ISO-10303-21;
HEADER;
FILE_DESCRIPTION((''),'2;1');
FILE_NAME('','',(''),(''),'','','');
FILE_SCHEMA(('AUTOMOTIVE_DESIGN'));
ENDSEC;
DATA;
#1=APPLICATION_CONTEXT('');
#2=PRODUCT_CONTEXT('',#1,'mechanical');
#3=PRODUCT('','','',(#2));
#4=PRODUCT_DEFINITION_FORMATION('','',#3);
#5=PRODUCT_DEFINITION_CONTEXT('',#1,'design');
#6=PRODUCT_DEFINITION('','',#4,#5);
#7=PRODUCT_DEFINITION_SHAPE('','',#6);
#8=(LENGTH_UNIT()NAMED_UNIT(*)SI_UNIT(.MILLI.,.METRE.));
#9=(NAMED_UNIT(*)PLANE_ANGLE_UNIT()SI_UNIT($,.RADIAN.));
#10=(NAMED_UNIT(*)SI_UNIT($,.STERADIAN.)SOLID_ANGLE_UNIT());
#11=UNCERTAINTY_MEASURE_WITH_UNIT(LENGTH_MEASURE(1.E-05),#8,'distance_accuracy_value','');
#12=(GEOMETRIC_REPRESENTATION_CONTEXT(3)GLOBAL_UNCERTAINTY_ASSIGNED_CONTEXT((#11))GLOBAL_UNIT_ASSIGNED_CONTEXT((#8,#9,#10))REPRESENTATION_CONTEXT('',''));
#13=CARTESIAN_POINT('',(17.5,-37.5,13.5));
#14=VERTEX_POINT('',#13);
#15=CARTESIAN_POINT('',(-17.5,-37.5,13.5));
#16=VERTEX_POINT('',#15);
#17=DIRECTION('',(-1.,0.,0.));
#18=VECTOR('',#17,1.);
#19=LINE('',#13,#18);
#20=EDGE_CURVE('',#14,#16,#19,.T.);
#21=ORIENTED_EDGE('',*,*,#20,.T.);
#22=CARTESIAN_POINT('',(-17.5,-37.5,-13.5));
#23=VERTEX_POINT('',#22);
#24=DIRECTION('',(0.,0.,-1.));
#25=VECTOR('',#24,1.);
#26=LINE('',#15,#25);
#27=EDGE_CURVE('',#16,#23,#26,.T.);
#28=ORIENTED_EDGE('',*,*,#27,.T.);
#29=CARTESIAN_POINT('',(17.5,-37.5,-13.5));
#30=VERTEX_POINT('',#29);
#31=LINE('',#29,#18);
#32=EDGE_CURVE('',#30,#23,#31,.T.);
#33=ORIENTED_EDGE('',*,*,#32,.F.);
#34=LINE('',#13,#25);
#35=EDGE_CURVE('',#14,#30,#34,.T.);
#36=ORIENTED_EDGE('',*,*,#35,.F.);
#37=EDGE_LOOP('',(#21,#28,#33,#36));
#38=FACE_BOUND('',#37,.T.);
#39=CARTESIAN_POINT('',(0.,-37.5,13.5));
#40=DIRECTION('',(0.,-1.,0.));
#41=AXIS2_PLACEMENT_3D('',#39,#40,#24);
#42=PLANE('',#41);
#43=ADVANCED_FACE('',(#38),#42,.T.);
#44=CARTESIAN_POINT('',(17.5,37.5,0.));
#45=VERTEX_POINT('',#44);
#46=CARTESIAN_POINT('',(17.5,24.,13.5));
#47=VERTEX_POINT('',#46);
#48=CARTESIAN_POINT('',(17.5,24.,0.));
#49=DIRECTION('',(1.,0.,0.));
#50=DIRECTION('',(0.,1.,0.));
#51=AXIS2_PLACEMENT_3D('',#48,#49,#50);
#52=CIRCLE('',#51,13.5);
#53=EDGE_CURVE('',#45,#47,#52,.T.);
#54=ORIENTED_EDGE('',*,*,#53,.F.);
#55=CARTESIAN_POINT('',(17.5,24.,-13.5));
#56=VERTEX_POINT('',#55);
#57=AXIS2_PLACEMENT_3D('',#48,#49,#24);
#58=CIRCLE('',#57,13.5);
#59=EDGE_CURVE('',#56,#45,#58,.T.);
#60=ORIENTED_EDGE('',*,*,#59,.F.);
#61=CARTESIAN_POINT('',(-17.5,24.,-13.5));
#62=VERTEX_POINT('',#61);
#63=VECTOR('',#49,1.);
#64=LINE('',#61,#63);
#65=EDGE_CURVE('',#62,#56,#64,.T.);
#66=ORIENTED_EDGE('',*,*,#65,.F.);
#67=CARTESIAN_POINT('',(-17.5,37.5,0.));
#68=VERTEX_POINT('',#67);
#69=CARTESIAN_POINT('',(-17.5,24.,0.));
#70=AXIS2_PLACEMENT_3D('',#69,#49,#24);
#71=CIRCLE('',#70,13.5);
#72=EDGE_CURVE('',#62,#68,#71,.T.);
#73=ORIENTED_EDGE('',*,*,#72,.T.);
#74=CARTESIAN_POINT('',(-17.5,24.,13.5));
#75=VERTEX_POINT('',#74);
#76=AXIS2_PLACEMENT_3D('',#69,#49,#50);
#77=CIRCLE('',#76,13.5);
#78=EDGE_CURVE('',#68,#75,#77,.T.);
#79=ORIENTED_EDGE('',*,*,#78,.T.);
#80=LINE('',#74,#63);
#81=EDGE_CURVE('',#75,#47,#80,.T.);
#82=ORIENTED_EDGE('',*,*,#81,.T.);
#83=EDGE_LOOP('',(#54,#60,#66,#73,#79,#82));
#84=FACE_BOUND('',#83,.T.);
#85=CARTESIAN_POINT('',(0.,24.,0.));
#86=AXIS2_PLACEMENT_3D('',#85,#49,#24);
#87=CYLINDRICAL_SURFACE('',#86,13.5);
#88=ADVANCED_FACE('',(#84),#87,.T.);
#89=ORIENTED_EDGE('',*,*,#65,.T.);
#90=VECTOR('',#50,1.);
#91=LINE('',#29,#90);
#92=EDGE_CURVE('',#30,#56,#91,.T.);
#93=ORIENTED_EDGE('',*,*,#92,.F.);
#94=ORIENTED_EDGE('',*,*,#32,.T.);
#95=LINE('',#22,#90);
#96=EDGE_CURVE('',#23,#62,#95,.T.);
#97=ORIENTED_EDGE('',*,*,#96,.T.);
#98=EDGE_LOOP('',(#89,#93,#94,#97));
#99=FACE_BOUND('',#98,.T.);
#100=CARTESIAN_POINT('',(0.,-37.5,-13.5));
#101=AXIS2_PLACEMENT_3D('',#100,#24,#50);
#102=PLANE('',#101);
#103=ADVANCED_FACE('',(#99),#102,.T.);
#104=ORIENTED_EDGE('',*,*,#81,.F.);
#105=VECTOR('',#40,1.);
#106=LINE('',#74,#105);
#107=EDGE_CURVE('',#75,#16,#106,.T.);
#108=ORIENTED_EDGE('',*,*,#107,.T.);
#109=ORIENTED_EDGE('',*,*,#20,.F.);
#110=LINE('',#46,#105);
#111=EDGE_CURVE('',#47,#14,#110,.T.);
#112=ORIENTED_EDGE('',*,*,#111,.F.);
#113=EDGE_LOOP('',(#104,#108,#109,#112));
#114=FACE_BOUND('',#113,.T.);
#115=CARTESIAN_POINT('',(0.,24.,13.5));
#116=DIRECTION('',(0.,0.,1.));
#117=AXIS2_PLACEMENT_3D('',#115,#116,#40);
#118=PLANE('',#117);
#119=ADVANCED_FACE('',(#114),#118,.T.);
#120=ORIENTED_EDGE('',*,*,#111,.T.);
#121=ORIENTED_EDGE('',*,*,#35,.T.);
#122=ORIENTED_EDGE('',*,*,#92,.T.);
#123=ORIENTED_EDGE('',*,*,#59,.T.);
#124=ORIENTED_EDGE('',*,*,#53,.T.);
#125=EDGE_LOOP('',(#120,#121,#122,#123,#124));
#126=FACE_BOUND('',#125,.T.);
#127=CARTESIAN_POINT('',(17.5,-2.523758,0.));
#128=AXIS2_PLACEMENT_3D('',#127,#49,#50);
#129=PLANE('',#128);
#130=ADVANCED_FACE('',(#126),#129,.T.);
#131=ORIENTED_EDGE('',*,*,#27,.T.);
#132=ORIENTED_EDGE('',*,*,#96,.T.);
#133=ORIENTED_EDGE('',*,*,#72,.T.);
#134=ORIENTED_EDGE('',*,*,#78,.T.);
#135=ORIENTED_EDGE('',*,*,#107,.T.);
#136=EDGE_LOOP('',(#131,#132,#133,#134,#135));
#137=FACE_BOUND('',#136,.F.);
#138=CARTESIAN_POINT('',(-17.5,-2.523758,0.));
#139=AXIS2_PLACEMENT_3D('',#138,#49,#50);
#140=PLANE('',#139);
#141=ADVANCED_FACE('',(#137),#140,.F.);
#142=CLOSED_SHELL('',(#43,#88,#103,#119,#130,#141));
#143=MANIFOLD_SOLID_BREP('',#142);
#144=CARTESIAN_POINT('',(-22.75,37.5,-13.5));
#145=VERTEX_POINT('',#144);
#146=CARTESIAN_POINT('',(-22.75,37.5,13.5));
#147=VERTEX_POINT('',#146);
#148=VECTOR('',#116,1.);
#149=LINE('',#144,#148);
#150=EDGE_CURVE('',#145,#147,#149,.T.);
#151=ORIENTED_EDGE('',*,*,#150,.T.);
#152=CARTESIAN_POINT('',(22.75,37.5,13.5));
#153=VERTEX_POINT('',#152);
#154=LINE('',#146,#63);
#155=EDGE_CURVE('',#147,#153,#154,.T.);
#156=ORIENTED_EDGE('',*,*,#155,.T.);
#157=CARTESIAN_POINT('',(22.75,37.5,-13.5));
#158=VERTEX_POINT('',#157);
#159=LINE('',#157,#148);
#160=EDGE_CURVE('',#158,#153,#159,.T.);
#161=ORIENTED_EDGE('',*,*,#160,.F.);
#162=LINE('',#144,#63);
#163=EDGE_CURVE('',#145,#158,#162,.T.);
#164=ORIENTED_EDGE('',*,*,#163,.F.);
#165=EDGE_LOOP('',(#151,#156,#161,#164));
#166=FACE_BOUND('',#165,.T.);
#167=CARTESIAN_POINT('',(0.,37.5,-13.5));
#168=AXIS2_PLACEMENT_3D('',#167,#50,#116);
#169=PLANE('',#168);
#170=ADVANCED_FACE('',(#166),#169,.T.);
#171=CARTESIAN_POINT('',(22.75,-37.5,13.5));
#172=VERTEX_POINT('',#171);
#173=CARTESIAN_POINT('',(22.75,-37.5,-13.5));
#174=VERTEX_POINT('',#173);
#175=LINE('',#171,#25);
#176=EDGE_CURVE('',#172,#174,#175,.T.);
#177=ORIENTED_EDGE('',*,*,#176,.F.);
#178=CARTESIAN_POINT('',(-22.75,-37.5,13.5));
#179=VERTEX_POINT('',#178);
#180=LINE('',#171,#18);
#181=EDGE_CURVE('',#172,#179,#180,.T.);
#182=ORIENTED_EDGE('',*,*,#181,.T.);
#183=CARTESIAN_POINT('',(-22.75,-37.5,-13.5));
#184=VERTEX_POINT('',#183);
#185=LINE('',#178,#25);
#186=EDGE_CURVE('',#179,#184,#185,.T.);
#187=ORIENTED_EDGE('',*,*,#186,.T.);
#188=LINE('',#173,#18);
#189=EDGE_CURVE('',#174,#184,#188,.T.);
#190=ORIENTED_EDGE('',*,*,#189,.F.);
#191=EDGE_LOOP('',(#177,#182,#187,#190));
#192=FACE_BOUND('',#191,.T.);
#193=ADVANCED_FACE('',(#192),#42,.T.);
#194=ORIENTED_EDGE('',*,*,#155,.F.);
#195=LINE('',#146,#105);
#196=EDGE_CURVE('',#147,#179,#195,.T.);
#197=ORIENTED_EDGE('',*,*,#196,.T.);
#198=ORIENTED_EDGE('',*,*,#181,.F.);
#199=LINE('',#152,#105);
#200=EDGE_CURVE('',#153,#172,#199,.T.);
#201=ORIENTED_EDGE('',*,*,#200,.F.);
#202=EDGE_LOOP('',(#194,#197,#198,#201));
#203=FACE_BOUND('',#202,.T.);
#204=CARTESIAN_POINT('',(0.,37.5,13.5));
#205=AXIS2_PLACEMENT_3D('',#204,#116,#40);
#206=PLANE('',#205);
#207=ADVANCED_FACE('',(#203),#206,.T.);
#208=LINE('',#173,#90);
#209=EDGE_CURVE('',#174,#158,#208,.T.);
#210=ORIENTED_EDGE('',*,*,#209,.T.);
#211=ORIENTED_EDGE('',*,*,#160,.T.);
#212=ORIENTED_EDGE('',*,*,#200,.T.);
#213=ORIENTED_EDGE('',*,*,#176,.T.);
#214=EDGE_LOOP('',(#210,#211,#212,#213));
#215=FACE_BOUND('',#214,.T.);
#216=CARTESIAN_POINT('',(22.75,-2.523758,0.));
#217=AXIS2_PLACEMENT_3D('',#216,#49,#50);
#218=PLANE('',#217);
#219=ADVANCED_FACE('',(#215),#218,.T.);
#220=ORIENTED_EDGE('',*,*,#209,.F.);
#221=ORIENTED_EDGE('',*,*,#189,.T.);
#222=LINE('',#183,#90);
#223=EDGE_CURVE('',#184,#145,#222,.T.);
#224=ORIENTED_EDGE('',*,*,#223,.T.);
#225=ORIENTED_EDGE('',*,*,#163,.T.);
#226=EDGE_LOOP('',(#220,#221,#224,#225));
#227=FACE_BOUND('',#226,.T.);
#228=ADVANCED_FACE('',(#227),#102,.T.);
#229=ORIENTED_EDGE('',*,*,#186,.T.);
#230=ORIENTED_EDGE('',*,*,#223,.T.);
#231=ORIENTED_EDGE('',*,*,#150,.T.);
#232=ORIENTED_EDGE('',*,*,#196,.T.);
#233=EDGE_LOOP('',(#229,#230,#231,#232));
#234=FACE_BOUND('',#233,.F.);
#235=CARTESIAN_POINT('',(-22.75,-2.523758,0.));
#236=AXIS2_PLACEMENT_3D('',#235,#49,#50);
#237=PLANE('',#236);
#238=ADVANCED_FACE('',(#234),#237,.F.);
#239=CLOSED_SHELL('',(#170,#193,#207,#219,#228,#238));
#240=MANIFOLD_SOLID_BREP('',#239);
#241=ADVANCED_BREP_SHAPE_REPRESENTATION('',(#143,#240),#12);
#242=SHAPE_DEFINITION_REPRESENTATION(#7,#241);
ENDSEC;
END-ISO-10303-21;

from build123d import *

# Parameters (mm, degrees)
F2_DEPTH = 22.75
F3_DEPTH = 17.5


with BuildPart() as f2:
    # F1 (on Right) → F2 (new body, symmetric)
    with BuildSketch(Plane.YZ):
        with BuildLine():
            Line((-37.5, -13.5), (24, -13.5))
            ThreePointArc((24, -13.5), (33.545941546, -9.545941546), (37.5, 0))
            ThreePointArc((37.5, 0), (33.545941546, 9.545941546), (24, 13.5))
            Line((24, 13.5), (-37.5, 13.5))
            Line((-37.5, 13.5), (-37.5, -13.5))
        make_face()
        with BuildLine():
            Line((24, -13.5), (37.5, -13.5))
            Line((37.5, -13.5), (37.5, 0))
            ThreePointArc((37.5, 0), (33.545941546, -9.545941546), (24, -13.5))
        make_face()
        with BuildLine():
            ThreePointArc((24, 13.5), (33.545941546, 9.545941546), (37.5, 0))
            Line((37.5, 0), (37.5, 13.5))
            Line((37.5, 13.5), (24, 13.5))
        make_face()
    extrude(amount=F2_DEPTH, both=True)


with BuildPart() as f3:
    # F1 (on Right) → F3 (new body, symmetric)
    with BuildSketch(Plane.YZ):
        with BuildLine():
            Line((-37.5, -13.5), (24, -13.5))
            ThreePointArc((24, -13.5), (33.545941546, -9.545941546), (37.5, 0))
            ThreePointArc((37.5, 0), (33.545941546, 9.545941546), (24, 13.5))
            Line((24, 13.5), (-37.5, 13.5))
            Line((-37.5, 13.5), (-37.5, -13.5))
        make_face()
    extrude(amount=F3_DEPTH, both=True)


solid = Compound([f2.part, f3.part])
